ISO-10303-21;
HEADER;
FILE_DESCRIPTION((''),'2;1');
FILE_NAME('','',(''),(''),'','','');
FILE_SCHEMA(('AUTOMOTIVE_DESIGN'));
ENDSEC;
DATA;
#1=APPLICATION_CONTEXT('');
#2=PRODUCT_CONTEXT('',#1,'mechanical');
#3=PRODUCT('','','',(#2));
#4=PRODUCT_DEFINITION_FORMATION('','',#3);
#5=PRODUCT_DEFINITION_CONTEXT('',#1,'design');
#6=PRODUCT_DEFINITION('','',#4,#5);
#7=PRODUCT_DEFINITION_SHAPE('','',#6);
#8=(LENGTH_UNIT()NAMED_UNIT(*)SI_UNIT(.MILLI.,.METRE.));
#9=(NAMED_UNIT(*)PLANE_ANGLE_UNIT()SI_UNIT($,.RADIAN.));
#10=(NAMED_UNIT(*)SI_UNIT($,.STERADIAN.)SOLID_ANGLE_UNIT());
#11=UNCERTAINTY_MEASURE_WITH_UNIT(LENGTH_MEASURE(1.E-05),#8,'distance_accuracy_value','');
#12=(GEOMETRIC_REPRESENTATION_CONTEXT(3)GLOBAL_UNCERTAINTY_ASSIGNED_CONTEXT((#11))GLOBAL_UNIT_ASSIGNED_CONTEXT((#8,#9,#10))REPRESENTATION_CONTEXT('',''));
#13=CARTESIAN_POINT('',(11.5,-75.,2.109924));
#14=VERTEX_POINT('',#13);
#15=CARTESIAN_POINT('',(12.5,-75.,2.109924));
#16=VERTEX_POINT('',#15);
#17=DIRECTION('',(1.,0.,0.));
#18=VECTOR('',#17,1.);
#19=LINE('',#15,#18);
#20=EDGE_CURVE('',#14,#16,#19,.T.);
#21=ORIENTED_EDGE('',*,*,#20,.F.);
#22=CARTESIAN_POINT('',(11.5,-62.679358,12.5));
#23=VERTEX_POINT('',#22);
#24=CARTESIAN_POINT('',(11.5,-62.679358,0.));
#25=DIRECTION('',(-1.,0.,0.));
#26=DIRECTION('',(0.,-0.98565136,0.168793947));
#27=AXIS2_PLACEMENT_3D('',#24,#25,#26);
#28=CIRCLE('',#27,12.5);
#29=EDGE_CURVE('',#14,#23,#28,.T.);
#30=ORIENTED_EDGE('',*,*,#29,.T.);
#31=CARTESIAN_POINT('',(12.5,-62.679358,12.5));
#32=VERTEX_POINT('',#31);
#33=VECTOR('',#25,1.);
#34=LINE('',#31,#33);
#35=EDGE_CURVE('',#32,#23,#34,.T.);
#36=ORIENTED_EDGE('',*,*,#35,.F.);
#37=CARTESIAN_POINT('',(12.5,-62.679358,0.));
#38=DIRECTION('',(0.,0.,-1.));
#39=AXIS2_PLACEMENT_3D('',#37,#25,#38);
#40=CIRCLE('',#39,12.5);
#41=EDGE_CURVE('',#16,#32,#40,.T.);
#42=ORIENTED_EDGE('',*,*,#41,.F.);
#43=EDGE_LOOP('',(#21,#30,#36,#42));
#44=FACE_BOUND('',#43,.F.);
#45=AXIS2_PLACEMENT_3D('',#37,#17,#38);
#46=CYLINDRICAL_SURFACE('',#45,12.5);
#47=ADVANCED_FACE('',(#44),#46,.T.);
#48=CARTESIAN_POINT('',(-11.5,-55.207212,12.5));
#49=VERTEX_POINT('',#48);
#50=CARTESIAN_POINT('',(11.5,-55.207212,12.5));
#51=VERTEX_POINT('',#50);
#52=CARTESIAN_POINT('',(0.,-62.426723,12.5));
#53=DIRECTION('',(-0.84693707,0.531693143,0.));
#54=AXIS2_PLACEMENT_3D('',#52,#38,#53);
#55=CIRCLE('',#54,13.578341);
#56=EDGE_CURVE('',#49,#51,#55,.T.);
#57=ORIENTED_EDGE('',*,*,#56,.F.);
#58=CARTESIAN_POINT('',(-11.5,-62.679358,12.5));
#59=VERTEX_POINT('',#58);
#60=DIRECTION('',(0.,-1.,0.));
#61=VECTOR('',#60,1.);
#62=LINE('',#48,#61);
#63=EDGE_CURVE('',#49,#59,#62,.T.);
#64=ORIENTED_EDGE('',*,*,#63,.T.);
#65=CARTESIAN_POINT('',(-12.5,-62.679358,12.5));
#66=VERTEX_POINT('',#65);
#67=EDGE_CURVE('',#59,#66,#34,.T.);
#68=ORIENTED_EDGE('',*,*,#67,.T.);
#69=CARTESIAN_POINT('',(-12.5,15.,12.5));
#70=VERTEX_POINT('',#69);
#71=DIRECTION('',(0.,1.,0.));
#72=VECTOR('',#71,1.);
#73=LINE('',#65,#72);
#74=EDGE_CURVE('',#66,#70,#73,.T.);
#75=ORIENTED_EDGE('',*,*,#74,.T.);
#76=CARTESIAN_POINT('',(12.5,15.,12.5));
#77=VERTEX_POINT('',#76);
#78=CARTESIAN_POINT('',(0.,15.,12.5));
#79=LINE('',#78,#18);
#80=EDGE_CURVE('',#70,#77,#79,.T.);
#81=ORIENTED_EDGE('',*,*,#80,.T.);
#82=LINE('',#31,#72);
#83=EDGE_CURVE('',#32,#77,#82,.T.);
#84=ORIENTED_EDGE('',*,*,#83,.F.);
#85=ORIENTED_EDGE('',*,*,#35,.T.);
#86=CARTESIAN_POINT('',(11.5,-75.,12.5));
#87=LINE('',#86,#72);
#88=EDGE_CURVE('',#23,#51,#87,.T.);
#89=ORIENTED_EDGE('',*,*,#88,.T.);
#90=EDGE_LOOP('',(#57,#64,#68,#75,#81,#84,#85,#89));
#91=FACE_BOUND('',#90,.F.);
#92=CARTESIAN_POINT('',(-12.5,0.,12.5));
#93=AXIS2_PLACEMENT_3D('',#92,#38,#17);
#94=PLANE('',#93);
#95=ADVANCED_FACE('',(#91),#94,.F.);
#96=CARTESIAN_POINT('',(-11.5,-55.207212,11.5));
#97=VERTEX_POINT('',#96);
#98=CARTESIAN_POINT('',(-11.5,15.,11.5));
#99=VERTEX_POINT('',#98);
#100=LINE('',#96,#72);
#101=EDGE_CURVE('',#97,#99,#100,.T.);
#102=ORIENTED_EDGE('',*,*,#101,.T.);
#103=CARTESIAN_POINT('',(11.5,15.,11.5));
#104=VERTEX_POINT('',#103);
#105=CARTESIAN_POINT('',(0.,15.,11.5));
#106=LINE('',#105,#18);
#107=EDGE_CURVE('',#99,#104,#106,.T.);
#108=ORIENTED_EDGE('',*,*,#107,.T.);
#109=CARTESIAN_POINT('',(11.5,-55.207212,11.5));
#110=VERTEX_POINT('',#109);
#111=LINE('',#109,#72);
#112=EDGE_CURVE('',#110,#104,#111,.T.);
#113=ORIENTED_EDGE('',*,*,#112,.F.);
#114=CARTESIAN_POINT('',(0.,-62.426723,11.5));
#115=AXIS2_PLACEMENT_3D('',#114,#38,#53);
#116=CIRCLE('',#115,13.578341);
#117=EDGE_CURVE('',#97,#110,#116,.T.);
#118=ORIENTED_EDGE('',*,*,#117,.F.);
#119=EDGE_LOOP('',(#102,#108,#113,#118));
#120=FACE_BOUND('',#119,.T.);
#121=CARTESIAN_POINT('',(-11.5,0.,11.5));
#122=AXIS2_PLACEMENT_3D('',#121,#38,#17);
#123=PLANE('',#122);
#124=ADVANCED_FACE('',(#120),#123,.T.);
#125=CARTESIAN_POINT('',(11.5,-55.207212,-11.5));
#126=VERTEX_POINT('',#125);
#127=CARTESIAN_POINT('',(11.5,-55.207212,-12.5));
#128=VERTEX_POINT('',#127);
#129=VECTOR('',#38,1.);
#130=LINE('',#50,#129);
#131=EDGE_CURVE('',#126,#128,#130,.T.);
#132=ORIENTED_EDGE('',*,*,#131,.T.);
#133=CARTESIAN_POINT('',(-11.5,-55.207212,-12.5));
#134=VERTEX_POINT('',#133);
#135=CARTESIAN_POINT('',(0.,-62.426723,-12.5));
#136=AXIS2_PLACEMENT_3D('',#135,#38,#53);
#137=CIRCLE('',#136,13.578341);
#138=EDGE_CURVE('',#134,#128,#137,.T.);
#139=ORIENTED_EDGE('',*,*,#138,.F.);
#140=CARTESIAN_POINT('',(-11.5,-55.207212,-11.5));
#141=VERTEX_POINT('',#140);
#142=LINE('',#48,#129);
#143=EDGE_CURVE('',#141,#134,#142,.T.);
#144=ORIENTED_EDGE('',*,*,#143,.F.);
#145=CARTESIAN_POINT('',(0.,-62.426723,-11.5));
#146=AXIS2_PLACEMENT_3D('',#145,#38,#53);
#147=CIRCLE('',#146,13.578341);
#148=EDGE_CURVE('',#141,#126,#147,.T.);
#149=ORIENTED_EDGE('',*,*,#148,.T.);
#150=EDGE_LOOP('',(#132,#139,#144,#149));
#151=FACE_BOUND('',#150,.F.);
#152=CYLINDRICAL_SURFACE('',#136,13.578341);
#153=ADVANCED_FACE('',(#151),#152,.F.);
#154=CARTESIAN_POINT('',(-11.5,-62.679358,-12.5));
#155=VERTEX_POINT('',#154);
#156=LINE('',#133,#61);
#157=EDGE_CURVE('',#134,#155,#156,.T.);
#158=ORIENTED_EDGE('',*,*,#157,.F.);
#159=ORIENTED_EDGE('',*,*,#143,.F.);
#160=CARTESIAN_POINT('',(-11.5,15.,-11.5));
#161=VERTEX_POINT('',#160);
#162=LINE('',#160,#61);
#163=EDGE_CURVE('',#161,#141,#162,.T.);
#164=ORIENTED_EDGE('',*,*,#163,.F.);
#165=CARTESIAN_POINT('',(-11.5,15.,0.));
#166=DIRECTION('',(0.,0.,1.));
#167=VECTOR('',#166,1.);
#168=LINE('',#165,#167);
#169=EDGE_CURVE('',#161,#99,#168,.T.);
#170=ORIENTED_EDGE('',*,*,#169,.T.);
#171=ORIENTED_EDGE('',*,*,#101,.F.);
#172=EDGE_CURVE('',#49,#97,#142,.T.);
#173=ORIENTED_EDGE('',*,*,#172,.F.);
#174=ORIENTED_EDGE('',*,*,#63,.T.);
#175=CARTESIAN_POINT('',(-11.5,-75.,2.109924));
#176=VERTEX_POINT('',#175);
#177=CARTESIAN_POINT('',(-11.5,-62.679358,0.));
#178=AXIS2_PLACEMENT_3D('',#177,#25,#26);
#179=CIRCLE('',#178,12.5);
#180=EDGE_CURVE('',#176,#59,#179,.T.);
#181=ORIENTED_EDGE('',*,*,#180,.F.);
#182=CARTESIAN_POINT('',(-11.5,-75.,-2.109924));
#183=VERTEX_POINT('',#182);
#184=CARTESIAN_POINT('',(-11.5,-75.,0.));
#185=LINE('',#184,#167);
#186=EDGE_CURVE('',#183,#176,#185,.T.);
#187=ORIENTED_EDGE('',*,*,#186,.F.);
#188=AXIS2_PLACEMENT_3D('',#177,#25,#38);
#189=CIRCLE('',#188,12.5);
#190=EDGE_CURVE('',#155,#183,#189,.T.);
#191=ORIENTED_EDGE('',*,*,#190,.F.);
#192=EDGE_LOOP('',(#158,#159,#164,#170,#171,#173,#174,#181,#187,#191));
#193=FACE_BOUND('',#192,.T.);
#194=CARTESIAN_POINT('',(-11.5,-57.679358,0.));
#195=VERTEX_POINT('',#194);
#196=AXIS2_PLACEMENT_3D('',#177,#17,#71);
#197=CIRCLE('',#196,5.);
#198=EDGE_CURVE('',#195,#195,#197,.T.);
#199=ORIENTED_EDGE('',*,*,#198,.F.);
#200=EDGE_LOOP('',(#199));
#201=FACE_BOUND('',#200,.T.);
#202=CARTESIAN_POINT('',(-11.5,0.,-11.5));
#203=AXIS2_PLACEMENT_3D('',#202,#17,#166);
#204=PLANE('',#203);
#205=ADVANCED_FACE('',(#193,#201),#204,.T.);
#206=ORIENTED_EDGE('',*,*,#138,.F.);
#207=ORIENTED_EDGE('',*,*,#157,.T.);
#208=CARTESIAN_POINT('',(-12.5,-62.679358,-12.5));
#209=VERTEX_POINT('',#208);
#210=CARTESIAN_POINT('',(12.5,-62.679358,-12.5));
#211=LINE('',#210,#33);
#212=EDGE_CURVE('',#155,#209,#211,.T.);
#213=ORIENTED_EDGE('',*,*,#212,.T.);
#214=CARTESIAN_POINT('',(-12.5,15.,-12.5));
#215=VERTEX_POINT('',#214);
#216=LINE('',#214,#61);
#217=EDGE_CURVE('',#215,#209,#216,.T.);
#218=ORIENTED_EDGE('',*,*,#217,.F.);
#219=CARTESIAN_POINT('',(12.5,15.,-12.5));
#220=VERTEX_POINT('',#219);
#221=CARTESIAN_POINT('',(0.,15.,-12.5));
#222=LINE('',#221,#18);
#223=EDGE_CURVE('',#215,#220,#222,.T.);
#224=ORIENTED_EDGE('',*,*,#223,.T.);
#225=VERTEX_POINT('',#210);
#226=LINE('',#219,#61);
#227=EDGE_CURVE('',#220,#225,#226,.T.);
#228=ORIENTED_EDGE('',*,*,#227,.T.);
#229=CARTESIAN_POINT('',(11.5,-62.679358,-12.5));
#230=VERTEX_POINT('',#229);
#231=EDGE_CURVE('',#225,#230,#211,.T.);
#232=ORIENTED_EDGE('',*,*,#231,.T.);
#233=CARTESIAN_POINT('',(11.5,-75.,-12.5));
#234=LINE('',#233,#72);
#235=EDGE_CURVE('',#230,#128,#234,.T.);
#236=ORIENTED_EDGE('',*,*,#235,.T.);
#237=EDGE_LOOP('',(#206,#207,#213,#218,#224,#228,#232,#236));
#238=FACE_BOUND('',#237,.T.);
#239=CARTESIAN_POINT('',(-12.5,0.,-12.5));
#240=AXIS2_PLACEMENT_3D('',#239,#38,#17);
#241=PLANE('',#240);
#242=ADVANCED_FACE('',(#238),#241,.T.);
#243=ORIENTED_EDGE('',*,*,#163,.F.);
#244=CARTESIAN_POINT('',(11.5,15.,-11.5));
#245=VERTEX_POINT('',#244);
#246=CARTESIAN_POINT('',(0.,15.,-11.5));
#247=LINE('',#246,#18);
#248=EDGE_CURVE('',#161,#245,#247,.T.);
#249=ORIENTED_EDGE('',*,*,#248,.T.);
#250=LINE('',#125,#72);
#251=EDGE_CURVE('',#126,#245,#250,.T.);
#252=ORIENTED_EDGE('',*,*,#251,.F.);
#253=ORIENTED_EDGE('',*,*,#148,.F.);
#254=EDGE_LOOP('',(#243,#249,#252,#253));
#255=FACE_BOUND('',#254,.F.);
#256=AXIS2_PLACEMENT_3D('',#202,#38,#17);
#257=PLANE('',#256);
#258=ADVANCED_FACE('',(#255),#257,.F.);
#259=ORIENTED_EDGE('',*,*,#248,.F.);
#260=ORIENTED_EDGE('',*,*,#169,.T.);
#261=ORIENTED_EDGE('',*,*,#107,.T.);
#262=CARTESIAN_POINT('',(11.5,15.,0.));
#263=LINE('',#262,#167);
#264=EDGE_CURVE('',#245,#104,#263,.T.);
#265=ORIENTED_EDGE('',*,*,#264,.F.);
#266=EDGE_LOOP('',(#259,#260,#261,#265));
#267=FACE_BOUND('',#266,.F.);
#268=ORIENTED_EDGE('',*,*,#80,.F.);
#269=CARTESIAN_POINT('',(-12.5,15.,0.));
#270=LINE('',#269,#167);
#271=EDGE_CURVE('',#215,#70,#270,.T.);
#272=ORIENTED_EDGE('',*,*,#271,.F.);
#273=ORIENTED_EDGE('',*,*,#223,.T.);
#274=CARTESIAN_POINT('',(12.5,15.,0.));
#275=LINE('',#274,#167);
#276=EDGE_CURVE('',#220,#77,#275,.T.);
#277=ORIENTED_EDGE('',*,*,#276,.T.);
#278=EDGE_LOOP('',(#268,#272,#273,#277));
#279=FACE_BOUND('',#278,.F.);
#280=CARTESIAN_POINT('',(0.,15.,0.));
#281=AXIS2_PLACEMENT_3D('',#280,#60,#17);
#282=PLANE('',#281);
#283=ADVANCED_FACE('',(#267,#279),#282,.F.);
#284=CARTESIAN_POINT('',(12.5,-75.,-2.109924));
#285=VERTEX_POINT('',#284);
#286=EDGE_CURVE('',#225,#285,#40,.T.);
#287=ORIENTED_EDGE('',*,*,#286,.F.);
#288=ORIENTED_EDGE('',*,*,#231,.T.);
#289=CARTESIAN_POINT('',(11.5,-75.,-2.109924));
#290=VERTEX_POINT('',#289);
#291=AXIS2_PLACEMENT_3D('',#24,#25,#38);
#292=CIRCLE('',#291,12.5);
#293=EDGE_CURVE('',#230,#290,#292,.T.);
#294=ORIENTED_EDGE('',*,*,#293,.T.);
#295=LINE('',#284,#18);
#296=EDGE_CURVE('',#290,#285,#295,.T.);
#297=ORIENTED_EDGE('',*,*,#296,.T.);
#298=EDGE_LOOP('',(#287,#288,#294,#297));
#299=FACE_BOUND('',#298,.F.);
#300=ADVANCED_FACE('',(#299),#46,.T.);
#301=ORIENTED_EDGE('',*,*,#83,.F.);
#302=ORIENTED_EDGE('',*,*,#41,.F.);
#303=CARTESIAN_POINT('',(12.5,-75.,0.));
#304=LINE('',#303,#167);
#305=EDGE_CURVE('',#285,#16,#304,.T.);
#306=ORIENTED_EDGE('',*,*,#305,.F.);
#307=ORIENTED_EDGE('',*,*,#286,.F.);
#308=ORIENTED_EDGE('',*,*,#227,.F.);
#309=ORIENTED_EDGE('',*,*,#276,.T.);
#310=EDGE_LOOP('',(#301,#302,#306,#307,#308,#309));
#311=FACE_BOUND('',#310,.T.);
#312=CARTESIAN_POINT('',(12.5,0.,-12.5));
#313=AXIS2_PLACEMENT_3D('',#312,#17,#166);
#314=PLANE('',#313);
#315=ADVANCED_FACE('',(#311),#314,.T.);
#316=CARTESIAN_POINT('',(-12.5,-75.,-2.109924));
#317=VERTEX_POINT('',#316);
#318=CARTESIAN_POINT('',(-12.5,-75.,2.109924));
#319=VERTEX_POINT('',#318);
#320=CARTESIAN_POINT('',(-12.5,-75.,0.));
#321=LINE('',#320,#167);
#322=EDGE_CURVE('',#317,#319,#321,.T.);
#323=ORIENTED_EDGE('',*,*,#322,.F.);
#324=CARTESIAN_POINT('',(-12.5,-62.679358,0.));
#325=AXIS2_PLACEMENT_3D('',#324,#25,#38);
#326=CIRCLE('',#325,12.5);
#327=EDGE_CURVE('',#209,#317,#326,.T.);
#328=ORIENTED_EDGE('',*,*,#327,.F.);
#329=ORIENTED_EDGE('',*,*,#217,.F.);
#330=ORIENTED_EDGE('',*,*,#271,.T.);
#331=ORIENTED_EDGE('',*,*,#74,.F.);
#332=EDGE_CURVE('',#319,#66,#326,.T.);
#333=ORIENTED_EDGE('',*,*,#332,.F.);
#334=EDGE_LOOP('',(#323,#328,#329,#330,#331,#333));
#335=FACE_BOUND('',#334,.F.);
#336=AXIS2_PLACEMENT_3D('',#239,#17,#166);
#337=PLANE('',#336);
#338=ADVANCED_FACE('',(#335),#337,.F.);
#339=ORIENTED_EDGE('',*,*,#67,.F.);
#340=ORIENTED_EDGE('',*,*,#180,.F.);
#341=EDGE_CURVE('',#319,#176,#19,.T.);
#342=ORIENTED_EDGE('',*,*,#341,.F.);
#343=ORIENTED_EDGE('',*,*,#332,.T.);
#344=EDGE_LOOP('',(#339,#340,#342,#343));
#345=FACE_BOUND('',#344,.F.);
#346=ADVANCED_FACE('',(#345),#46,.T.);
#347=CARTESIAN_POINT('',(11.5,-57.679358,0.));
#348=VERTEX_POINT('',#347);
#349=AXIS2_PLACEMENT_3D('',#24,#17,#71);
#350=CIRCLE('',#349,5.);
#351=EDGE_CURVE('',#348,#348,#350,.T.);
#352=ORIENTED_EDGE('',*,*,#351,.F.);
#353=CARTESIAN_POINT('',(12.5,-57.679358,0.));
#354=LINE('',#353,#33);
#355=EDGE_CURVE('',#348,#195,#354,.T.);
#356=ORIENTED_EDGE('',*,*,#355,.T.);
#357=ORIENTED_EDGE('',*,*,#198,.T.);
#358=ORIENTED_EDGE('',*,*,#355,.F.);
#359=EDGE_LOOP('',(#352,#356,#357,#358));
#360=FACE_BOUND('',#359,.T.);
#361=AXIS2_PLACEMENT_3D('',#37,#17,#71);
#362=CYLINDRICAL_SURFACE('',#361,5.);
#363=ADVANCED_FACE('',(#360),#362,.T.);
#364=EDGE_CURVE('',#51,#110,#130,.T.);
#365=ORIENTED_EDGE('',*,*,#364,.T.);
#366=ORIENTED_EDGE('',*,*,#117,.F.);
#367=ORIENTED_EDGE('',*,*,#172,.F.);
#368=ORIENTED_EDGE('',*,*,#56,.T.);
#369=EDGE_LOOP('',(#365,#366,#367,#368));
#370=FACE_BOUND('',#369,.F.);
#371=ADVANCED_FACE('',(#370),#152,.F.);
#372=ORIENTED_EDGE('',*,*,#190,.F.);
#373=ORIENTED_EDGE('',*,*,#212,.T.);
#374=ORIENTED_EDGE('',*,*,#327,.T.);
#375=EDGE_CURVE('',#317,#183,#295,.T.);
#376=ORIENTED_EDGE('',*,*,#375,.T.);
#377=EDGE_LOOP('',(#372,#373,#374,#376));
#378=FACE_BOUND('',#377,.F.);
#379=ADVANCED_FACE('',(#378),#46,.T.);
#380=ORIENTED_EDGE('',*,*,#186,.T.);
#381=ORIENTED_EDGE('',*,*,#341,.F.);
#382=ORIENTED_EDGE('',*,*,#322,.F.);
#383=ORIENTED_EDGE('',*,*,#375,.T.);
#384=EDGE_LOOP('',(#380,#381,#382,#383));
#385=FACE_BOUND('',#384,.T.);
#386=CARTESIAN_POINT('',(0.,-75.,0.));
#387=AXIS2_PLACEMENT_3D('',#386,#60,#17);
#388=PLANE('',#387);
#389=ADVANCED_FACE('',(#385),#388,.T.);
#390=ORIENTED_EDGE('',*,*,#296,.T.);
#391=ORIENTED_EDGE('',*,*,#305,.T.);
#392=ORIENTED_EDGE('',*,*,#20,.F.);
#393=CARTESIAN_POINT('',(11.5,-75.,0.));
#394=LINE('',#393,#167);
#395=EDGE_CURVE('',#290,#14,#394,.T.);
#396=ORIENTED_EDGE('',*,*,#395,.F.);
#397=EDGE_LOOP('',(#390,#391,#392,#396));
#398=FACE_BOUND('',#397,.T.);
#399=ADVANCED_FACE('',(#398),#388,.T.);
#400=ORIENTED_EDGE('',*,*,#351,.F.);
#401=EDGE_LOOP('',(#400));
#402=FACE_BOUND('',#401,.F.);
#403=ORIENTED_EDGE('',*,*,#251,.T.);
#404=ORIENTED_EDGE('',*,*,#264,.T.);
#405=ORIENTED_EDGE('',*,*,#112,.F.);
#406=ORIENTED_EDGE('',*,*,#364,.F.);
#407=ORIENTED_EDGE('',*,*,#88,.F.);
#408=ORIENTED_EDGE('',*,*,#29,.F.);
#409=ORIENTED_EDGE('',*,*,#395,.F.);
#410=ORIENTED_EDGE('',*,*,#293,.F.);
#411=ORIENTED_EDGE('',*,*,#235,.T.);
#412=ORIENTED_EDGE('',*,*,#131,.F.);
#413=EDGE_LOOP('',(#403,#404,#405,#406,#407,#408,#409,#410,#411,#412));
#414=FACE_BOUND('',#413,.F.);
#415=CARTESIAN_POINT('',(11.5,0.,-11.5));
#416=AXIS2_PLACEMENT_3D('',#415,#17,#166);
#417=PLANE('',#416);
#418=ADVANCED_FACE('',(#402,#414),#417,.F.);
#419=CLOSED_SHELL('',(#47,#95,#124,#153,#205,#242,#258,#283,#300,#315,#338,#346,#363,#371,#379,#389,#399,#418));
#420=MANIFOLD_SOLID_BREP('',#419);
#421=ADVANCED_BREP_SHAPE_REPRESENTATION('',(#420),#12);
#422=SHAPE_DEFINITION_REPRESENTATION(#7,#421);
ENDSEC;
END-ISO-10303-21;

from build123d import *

# Parameters (mm, degrees)
F0_W      = 25
F0_H      = 25
F1_DEPTH  = 75
F2_W      = 23
F2_H      = 23
F3_DEPTH  = 75.001
F5_DEPTH  = 25
F7_DEPTH  = 25
F8_R      = 5
F9_DEPTH  = 25
F11_DEPTH = 25
F12_W     = 25
F12_H     = 25
F12_W_2   = 23
F12_H_2   = 23
F13_DEPTH = 15


with BuildPart() as f1:
    # F0 (on Front) → F1 (new body)
    with BuildSketch(Plane.XZ):
        Rectangle(F0_W, F0_H)
    extrude(amount=F1_DEPTH)

    # F2 (on face) → F3 (cut, through all)
    with BuildSketch(Plane.XZ.offset(75)):
        Rectangle(F2_W, F2_H)
    extrude(amount=-F3_DEPTH, mode=Mode.SUBTRACT)

    # F4 (on face) → F5 (cut)
    with BuildSketch(Plane.YZ.offset(12.5)):
        with BuildLine():
            ThreePointArc((-62.679358, -12.5), (-75.179358, 0), (-62.679358, 12.5))
            Line((-62.679358, 12.5), (-82.116477, 25.394978))
            Line((-82.116477, 25.394978), (-83.688773, -18.652776))
            Line((-83.688773, -18.652776), (-60.308628, -22.777025))
            Line((-60.308628, -22.777025), (-62.679358, -12.5))
        make_face()
    extrude(amount=-F5_DEPTH, mode=Mode.SUBTRACT)

    # F6 (on face) → F7 (cut)
    with BuildSketch(Plane.XY.offset(12.5)):
        Polygon((-11.5, -67.578337), (-11.5, -75), (11.5, -75), (11.5, -67.578337), (11.5, -55.207212), (-11.5, -55.207212), align=None)
    extrude(amount=-F7_DEPTH, mode=Mode.SUBTRACT)

    # F8 (on face) → F9 (join)
    with BuildSketch(Plane.YZ.offset(12.5)):
        with Locations((-62.679358, 0)):
            Circle(F8_R)
    extrude(amount=-F9_DEPTH)

    # F10 (on face) → F11 (cut)
    with BuildSketch(Plane(origin=(0, 0, -12.5), x_dir=(1, 0, 0), z_dir=(0, 0, -1))):
        with BuildLine():
            Line((11.5, 55.207212), (-11.5, 55.207212))
            ThreePointArc((-11.5, 55.207212), (0, 48.848382), (11.5, 55.207212))
        make_face()
    extrude(amount=-F11_DEPTH, mode=Mode.SUBTRACT)

    # F12 (on face) → F13 (join)
    with BuildSketch(Plane.XZ):
        Rectangle(F12_W, F12_H)
        Rectangle(F12_W_2, F12_H_2, mode=Mode.SUBTRACT)
    extrude(amount=-F13_DEPTH)


solid = f1.part
